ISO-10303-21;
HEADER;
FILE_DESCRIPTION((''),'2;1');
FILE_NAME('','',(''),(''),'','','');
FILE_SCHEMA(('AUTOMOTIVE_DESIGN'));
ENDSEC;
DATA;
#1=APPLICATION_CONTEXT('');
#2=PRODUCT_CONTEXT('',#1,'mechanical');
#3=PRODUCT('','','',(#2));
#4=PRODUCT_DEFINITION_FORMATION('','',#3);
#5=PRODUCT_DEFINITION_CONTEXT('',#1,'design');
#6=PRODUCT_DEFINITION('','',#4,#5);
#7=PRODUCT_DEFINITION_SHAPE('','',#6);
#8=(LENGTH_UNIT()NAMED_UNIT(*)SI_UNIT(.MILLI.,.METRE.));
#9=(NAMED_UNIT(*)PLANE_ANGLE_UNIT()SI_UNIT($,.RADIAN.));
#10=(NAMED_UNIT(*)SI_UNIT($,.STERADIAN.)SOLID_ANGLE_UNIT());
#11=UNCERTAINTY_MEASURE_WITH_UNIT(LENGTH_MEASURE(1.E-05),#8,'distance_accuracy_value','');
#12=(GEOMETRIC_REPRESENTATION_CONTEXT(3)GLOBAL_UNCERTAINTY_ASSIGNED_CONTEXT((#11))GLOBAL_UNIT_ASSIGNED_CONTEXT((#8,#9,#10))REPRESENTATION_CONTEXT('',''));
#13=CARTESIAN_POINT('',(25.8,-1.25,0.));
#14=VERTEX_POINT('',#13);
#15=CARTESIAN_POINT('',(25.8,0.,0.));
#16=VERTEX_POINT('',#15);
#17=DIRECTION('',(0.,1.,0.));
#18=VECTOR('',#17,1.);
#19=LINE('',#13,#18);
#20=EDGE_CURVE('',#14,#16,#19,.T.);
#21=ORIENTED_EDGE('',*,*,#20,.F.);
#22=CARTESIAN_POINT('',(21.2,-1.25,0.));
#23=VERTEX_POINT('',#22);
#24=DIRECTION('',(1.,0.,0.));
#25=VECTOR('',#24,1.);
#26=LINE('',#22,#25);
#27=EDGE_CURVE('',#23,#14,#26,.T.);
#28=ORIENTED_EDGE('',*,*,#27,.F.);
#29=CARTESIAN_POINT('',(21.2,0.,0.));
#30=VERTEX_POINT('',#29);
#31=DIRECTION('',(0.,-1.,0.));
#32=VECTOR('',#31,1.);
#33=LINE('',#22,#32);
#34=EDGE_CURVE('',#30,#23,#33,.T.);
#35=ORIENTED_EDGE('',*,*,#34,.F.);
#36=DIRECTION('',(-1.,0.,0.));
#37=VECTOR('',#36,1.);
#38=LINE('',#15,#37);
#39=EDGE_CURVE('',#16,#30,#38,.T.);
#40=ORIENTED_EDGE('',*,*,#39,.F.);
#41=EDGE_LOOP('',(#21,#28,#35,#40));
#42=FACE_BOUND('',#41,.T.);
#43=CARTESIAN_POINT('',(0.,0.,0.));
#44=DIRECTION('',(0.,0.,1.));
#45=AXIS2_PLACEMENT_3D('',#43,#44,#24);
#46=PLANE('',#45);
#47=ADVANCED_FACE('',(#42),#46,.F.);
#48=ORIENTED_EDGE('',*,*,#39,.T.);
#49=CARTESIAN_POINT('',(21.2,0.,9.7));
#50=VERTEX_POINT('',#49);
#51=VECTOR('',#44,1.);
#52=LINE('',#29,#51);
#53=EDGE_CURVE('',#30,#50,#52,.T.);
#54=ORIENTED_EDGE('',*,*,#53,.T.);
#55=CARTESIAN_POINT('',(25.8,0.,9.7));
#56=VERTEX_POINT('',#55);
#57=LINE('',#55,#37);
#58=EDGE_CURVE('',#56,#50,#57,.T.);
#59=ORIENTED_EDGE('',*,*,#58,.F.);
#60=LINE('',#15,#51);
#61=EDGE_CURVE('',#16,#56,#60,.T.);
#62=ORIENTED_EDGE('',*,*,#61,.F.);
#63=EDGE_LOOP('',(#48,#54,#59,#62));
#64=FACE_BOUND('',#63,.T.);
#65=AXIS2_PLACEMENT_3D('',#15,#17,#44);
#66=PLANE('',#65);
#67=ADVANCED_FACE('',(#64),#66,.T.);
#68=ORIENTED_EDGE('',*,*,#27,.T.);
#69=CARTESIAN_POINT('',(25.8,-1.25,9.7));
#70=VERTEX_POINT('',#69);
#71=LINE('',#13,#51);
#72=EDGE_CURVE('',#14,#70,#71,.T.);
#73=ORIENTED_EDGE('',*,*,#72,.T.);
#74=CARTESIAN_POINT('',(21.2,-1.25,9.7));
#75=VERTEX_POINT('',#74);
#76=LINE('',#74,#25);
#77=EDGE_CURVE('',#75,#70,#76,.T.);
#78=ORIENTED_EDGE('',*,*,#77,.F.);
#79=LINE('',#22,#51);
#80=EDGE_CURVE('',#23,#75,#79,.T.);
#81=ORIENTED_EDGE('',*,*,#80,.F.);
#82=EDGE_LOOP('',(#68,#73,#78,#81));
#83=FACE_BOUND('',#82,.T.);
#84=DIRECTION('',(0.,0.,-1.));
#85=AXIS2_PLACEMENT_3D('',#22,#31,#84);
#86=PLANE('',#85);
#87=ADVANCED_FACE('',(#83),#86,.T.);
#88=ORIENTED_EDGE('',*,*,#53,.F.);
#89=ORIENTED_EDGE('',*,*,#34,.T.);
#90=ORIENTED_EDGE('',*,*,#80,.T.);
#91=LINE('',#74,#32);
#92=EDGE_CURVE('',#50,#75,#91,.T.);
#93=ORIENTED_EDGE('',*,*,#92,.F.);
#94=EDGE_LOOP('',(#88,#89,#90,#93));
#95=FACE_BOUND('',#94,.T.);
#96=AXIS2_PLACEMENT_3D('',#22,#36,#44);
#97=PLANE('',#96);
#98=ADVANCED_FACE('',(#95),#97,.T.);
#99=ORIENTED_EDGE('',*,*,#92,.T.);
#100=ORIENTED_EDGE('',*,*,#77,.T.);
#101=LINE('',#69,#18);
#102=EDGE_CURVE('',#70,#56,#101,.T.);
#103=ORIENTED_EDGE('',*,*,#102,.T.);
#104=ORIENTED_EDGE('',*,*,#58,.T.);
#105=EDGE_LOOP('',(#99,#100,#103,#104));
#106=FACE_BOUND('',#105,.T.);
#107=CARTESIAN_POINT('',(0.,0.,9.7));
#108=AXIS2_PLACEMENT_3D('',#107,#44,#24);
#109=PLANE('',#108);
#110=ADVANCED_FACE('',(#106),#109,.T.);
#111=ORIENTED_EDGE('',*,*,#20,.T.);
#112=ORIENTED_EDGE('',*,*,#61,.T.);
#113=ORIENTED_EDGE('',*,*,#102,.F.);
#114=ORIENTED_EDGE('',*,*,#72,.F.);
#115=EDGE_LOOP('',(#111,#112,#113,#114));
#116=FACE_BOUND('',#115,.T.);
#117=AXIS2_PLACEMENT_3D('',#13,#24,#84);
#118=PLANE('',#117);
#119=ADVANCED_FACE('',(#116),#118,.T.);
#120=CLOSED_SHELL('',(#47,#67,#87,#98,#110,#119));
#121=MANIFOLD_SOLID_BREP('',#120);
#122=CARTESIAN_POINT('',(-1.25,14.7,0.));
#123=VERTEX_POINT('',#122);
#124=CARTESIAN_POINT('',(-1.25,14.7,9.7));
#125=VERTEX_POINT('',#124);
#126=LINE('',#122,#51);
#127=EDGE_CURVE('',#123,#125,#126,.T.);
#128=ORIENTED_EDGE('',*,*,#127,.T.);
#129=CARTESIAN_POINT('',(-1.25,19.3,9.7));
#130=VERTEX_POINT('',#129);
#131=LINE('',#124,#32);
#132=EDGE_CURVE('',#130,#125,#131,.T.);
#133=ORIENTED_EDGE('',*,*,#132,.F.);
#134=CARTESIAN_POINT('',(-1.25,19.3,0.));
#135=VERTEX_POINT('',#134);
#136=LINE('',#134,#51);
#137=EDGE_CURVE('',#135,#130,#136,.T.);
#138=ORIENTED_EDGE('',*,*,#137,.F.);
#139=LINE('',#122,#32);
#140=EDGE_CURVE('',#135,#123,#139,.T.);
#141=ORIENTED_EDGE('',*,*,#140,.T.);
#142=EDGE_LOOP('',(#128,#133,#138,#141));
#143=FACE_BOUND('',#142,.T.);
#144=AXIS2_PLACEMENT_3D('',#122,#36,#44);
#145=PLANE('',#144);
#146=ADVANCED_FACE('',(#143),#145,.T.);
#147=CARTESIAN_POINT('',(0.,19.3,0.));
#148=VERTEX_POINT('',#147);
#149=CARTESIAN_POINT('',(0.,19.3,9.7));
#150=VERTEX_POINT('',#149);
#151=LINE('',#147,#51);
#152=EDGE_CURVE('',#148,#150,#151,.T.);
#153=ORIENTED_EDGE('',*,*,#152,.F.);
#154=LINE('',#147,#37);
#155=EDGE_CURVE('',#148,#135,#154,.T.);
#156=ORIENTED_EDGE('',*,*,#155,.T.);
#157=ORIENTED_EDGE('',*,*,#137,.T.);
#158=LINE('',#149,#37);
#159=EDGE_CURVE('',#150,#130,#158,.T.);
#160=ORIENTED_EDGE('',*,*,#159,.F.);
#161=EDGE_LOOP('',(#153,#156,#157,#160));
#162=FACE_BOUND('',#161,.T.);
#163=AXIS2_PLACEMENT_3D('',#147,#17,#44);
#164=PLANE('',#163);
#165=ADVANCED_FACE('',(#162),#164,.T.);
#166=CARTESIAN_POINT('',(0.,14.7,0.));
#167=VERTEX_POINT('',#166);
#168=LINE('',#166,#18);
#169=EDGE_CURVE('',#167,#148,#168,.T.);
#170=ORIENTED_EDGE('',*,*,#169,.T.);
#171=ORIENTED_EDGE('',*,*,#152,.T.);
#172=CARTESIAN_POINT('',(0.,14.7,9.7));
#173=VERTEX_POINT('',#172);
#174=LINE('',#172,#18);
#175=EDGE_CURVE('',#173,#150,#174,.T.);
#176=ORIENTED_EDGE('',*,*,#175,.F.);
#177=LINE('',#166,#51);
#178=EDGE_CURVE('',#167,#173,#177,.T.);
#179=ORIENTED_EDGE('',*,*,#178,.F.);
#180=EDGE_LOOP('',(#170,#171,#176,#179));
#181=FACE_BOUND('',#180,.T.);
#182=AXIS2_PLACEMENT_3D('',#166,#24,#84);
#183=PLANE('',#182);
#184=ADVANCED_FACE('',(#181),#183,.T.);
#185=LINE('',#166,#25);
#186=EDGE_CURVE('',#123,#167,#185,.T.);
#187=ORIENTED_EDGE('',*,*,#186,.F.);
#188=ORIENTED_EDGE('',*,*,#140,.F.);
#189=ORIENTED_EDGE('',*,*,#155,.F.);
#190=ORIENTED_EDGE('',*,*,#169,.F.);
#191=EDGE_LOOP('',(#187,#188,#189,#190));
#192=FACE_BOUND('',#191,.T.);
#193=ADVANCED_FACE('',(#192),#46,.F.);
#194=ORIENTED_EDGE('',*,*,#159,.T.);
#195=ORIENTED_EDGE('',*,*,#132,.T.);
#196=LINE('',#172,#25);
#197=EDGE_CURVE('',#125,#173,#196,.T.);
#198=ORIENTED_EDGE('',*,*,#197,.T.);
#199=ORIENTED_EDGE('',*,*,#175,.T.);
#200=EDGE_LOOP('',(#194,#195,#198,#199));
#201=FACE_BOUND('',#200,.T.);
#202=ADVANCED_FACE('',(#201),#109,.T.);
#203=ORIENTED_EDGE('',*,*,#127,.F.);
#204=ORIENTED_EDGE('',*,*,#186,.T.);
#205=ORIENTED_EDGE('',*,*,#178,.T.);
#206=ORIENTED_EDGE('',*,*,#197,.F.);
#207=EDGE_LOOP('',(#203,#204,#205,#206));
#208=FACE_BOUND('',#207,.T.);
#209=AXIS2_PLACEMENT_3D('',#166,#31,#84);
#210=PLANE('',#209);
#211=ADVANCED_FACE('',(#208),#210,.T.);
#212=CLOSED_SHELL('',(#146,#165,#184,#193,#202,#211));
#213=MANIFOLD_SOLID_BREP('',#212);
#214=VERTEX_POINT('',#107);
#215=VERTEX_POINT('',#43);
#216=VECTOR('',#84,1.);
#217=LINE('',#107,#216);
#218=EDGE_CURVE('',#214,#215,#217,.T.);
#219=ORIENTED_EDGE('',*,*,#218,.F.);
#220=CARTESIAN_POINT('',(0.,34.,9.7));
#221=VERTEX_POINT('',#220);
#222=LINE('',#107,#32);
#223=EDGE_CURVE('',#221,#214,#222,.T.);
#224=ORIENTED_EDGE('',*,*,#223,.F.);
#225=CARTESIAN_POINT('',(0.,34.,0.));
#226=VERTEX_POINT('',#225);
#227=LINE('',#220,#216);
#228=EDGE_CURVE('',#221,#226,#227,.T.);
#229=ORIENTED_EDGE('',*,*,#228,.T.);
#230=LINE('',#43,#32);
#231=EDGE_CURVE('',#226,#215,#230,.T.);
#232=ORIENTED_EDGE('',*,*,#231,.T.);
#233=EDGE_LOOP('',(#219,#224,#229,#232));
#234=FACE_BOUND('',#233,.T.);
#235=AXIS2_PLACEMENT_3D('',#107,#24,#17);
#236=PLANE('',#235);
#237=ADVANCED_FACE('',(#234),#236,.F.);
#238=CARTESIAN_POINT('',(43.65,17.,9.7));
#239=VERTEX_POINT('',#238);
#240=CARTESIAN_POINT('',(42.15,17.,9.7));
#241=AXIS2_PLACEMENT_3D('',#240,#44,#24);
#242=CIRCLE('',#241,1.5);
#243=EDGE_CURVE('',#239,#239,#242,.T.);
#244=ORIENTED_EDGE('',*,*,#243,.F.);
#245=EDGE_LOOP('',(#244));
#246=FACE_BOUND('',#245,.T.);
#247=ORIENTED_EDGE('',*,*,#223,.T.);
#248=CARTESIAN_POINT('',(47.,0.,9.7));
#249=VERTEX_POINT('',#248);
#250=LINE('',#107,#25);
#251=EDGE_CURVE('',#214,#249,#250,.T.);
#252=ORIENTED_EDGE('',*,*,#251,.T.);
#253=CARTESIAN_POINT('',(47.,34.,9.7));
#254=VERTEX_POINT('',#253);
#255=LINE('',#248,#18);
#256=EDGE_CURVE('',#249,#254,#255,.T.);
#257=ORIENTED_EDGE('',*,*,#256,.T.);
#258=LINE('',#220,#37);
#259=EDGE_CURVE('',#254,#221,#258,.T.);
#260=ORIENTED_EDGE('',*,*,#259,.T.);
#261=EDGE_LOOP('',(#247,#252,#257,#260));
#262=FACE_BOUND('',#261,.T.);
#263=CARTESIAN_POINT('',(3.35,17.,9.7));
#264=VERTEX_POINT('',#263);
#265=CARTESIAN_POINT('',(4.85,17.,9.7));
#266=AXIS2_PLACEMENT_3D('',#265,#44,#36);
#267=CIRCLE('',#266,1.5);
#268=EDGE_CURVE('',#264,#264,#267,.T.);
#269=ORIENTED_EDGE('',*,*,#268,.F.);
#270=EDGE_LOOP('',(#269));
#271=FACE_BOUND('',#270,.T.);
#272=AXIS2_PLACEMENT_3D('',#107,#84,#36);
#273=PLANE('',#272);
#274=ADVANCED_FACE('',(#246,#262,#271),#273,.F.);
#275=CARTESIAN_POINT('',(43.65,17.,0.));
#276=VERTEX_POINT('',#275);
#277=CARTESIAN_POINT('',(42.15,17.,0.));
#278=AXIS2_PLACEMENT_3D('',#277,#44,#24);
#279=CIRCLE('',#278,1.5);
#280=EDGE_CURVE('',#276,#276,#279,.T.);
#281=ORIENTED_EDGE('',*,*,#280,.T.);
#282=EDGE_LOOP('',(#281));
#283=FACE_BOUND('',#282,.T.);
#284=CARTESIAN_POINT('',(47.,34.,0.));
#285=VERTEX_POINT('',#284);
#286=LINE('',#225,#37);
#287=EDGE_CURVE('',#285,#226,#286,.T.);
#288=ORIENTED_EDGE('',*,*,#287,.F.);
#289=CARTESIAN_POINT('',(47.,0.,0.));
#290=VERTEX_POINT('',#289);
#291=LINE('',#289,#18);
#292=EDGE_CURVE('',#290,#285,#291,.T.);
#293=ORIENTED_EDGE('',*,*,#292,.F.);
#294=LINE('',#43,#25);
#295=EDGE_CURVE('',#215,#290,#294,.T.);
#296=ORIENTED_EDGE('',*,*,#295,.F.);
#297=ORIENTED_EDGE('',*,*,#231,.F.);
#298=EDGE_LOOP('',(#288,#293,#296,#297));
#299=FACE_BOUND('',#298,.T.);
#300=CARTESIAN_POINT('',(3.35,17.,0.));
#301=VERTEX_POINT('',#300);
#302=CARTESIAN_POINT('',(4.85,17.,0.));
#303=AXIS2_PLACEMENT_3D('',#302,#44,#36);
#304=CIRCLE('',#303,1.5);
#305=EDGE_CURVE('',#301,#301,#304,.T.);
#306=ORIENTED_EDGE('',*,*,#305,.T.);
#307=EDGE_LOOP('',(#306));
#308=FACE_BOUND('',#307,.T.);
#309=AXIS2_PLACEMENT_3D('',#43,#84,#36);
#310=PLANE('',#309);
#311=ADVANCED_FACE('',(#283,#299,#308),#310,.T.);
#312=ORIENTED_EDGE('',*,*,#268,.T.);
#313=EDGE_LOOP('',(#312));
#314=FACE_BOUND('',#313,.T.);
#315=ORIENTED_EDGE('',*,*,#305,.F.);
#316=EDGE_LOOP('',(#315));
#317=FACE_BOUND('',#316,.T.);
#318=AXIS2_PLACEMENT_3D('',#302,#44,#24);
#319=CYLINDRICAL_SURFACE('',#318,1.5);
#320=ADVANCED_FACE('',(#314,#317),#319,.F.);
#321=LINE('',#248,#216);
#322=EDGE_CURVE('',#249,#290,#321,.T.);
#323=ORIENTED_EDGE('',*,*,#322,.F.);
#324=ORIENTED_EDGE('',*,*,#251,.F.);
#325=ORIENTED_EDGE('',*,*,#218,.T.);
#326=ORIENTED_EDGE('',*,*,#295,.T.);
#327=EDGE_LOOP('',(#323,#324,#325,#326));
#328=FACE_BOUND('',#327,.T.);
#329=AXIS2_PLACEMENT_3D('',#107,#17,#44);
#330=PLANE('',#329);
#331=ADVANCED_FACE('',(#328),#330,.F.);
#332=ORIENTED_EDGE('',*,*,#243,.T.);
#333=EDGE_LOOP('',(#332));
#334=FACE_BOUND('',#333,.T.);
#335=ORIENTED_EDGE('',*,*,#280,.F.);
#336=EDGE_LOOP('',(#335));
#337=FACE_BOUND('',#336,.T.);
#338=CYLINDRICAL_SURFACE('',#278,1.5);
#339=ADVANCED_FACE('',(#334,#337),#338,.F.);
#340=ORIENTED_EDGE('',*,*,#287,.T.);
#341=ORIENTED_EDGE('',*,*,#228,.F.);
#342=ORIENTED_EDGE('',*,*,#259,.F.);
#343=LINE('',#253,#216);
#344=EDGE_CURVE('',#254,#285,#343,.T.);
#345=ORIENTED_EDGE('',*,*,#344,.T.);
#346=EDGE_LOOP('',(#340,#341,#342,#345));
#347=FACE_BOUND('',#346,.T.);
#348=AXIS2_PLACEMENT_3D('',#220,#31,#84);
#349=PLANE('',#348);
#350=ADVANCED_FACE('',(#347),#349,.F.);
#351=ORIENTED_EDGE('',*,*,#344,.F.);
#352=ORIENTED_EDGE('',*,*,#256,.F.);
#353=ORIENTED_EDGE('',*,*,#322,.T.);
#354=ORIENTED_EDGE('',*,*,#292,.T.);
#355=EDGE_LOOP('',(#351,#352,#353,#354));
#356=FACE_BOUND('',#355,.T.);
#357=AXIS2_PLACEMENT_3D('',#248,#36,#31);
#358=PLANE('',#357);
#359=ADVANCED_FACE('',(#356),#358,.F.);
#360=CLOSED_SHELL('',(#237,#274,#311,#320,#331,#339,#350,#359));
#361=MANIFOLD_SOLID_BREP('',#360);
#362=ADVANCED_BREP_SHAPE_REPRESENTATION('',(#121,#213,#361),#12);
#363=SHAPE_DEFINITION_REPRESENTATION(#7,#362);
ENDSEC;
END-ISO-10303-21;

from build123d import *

# Parameters (mm, degrees)
ESQUISSE1_W             = 47
ESQUISSE1_H             = 34
BOSS_EXTRU_1_DEPTH      = 9.7
ESQUISSE2_W             = 1.25
ESQUISSE2_H             = 4.6
BOSS_EXTRU_2_DEPTH      = 9.7
ESQUISSE2_W_2           = 4.6
ESQUISSE2_H_2           = 1.25
BOSS_EXTRU_2_2_DEPTH    = 9.7
ESQUISSE3_R             = 1.5
ENL_V_MAT_EXTRU_1_DEPTH = 59.814028939


with BuildPart() as part:
    # Esquisse1 → Boss.-Extru.1 (new body)
    with BuildSketch(Plane.XY):
        with Locations((23.5, 17)):
            Rectangle(ESQUISSE1_W, ESQUISSE1_H)
    extrude(amount=BOSS_EXTRU_1_DEPTH)

    # Esquisse3 → Enlèv. mat.-Extru.1 (cut, through all)
    with BuildSketch(Plane.XY.offset(9.7)):
        with Locations((42.15, 17)):
            Circle(ESQUISSE3_R)
        with Locations(Location((4.85, 17, 0), (0, 0, 180))):
            Circle(ESQUISSE3_R)
    extrude(amount=-ENL_V_MAT_EXTRU_1_DEPTH, mode=Mode.SUBTRACT)


with BuildPart() as body_2:
    # Esquisse2 → Boss.-Extru.2 (new, through all)
    with BuildSketch(Plane.XY.offset(9.7)):
        with Locations((-0.625, 17)):
            Rectangle(ESQUISSE2_W, ESQUISSE2_H)
    extrude(amount=-BOSS_EXTRU_2_DEPTH)


with BuildPart() as body_3:
    # Esquisse2 → Boss.-Extru.2 2 (new, through all)
    with BuildSketch(Plane.XY.offset(9.7)):
        with Locations((23.5, -0.625)):
            Rectangle(ESQUISSE2_W_2, ESQUISSE2_H_2)
    extrude(amount=-BOSS_EXTRU_2_2_DEPTH)


solid = Compound([part.part, body_2.part, body_3.part])
